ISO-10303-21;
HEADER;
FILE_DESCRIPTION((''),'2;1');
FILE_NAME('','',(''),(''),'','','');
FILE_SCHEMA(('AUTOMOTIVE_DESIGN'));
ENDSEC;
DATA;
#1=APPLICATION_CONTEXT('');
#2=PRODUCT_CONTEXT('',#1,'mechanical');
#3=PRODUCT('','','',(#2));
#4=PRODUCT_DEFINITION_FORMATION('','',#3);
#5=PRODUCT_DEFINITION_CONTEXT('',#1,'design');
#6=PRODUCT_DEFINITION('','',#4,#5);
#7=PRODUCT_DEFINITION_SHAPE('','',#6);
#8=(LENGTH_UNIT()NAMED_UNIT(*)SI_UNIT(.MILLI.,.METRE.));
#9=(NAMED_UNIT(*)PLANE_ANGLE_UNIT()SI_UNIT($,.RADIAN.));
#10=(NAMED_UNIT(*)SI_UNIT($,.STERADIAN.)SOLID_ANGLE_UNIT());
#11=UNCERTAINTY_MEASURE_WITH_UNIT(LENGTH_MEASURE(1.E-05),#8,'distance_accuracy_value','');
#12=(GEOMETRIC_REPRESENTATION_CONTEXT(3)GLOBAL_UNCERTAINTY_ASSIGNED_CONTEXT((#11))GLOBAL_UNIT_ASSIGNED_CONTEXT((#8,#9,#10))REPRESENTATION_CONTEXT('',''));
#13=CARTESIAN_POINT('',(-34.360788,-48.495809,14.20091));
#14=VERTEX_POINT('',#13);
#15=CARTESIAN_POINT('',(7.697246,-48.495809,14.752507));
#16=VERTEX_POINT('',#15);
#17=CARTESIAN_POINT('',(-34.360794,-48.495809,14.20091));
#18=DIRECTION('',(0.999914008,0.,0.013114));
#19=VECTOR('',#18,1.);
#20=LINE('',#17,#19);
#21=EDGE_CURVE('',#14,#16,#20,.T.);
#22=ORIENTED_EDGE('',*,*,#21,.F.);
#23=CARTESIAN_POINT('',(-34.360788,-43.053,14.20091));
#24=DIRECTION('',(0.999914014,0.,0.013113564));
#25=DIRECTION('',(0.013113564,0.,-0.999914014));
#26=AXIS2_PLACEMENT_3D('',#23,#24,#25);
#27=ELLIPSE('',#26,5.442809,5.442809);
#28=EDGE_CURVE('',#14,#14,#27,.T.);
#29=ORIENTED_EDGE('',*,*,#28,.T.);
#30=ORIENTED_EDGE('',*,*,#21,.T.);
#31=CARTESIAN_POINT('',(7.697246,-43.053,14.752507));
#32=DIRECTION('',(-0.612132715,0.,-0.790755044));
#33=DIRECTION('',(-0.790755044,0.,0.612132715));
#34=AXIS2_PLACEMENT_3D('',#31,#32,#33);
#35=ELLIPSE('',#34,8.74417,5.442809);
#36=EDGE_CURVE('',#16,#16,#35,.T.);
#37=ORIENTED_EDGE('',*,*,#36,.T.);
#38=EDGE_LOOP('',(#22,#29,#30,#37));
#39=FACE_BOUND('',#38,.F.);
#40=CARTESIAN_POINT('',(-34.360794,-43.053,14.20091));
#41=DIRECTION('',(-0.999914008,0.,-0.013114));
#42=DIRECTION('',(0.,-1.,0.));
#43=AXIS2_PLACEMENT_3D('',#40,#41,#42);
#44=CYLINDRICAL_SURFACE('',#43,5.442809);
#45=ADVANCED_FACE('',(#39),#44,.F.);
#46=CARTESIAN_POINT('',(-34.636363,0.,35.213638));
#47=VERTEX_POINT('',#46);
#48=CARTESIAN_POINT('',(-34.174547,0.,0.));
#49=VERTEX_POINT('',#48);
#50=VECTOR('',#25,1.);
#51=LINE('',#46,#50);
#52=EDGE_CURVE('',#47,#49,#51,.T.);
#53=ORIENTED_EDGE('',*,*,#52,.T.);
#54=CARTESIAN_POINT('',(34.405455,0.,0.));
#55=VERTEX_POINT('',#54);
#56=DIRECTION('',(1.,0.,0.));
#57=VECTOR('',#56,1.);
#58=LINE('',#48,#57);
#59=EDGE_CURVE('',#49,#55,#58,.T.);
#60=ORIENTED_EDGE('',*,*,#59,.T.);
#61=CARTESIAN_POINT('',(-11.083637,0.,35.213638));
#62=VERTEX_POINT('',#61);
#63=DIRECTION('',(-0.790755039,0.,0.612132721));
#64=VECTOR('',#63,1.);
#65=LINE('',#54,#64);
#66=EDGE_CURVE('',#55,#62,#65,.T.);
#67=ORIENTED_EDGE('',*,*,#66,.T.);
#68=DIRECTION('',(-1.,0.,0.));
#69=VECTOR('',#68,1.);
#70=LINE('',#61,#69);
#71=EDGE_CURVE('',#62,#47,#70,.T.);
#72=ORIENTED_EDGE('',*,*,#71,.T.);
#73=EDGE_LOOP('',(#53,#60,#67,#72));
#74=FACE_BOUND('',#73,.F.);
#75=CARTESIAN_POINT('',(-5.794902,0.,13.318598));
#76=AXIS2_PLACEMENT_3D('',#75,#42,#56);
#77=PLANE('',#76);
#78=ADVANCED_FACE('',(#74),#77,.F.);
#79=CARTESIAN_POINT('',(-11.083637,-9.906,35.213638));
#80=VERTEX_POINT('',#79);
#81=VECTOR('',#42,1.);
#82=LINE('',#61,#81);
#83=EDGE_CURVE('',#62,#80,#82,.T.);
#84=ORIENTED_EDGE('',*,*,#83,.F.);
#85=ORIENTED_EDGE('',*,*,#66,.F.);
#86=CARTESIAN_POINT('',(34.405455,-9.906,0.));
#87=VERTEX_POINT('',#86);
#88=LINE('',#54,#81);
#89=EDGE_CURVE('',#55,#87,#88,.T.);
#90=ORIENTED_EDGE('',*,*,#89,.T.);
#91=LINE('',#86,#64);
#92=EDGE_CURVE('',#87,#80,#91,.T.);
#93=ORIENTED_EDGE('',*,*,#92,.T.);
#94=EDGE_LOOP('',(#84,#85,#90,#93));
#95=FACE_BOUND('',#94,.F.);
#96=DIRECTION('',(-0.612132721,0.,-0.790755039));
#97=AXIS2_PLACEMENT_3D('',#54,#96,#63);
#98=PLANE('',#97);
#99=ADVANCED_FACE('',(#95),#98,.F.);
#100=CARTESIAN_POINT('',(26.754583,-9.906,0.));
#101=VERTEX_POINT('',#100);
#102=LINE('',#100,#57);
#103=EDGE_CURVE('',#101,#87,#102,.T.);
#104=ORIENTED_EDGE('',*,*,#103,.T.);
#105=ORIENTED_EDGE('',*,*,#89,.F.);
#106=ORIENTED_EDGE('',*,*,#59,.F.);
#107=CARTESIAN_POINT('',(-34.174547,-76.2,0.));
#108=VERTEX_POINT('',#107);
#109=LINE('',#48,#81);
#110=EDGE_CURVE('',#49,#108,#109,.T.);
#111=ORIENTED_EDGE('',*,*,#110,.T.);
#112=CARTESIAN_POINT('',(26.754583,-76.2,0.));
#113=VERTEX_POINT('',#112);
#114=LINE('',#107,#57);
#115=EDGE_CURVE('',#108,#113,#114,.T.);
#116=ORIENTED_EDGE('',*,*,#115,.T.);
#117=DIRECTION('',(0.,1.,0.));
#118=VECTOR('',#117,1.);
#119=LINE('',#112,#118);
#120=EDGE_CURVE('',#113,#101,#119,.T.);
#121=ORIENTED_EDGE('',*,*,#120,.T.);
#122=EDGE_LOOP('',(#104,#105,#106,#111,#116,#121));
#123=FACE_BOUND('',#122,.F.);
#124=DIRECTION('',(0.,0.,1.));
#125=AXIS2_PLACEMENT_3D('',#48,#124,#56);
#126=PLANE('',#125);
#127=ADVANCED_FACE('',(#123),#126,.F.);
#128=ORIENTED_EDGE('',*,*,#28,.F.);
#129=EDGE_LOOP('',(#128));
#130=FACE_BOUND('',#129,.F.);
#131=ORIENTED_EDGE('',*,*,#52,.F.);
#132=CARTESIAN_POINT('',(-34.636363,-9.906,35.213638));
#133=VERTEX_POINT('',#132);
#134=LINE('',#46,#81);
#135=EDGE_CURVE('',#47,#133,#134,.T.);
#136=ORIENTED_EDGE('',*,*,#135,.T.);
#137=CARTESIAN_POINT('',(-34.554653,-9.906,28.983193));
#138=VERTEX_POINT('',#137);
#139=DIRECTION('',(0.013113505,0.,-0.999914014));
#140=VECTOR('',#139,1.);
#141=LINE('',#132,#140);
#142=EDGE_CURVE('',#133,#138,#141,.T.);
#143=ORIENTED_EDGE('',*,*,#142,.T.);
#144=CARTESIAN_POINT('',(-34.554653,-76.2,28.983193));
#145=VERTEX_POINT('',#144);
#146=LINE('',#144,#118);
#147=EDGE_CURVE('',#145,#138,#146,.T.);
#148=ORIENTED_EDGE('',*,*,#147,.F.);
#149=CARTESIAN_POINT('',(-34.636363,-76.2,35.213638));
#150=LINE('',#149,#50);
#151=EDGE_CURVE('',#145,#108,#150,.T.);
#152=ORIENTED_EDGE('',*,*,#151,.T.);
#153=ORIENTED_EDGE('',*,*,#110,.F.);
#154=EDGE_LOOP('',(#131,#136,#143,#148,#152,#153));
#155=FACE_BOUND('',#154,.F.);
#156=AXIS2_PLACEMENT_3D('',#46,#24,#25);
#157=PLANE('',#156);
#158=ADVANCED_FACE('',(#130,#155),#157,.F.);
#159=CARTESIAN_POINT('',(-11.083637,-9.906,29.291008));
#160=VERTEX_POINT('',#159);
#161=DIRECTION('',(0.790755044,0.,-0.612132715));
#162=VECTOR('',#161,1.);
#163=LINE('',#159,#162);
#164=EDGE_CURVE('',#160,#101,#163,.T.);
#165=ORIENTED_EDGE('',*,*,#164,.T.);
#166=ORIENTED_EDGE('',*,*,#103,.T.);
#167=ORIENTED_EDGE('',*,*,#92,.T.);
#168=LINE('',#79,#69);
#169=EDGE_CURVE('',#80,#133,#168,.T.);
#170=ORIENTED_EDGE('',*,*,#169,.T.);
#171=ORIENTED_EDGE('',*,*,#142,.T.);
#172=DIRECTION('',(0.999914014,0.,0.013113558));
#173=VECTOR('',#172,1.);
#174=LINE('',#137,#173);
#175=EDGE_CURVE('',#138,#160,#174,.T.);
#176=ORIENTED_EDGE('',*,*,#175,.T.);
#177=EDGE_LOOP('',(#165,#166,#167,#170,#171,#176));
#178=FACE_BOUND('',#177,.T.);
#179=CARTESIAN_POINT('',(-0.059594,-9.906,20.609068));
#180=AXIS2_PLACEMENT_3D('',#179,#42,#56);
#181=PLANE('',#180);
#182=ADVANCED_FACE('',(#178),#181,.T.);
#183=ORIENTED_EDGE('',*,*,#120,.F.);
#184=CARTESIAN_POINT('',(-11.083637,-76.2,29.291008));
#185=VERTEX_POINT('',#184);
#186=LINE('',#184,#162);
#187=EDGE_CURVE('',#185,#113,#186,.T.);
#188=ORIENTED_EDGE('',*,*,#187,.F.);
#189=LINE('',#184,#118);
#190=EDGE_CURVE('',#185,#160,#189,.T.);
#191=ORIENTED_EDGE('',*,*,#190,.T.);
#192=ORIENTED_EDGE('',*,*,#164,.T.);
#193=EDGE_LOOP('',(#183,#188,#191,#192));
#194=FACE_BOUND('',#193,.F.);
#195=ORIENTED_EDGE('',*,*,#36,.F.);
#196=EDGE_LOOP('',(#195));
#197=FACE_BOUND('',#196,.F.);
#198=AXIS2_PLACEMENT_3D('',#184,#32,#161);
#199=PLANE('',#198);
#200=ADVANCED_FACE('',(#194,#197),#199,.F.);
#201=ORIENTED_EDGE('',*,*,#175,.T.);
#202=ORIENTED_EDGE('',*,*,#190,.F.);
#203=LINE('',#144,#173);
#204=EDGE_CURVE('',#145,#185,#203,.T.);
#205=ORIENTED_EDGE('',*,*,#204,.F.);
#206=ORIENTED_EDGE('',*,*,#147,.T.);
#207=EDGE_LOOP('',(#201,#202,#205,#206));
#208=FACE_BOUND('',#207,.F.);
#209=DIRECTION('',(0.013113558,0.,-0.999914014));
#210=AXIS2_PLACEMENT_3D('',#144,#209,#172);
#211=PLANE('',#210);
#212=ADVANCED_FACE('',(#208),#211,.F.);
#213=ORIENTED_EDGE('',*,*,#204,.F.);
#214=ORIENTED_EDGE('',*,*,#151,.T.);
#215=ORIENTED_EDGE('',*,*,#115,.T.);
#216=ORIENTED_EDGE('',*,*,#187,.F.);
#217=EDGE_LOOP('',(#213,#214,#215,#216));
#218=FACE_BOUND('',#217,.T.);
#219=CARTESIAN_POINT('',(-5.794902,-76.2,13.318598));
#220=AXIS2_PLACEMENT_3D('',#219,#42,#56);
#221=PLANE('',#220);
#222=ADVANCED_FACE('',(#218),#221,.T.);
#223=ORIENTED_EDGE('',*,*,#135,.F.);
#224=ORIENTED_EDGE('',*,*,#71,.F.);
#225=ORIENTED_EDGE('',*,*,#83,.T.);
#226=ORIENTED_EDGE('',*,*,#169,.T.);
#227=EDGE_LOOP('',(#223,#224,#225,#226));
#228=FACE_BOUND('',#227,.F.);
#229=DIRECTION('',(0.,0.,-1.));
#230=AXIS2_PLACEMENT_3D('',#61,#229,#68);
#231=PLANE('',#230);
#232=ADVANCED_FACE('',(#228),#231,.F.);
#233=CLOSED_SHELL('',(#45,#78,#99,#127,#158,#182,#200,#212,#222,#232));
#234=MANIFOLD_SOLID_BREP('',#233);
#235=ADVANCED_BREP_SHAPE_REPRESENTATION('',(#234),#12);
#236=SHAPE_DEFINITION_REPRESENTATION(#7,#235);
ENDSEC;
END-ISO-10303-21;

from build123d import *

# Parameters (mm, degrees)
F1_DEPTH = 76.2
F3_DEPTH = 66.294
F4_R     = 5.442809
F5_DEPTH = 87.884


with BuildPart() as f1:
    # F0 (on Front) → F1 (new body)
    with BuildSketch(Plane.XZ):
        Polygon((-34.636363, 35.213638), (-34.174547, 0), (34.405455, 0), (-11.083637, 35.213638), align=None)
    extrude(amount=F1_DEPTH)

    # F2 (on face) → F3 (cut)
    with BuildSketch(Plane.XZ.offset(76.2)):
        Polygon((-11.083637, 29.291008), (26.754583, 0), (34.405455, 0), (-11.083637, 35.213638), (-34.636363, 35.213638), (-34.554653, 28.983193), align=None)
    extrude(amount=-F3_DEPTH, mode=Mode.SUBTRACT)

    # F4 (on face) → F5 (cut)
    with BuildSketch(Plane(origin=(-34.16867, 0, -0.448112), x_dir=(0, -1, 0), z_dir=(-0.999914, 0, -0.013114))):
        with Locations((43.053, 14.650282)):
            Circle(F4_R)
    extrude(amount=-F5_DEPTH, mode=Mode.SUBTRACT)


solid = f1.part
